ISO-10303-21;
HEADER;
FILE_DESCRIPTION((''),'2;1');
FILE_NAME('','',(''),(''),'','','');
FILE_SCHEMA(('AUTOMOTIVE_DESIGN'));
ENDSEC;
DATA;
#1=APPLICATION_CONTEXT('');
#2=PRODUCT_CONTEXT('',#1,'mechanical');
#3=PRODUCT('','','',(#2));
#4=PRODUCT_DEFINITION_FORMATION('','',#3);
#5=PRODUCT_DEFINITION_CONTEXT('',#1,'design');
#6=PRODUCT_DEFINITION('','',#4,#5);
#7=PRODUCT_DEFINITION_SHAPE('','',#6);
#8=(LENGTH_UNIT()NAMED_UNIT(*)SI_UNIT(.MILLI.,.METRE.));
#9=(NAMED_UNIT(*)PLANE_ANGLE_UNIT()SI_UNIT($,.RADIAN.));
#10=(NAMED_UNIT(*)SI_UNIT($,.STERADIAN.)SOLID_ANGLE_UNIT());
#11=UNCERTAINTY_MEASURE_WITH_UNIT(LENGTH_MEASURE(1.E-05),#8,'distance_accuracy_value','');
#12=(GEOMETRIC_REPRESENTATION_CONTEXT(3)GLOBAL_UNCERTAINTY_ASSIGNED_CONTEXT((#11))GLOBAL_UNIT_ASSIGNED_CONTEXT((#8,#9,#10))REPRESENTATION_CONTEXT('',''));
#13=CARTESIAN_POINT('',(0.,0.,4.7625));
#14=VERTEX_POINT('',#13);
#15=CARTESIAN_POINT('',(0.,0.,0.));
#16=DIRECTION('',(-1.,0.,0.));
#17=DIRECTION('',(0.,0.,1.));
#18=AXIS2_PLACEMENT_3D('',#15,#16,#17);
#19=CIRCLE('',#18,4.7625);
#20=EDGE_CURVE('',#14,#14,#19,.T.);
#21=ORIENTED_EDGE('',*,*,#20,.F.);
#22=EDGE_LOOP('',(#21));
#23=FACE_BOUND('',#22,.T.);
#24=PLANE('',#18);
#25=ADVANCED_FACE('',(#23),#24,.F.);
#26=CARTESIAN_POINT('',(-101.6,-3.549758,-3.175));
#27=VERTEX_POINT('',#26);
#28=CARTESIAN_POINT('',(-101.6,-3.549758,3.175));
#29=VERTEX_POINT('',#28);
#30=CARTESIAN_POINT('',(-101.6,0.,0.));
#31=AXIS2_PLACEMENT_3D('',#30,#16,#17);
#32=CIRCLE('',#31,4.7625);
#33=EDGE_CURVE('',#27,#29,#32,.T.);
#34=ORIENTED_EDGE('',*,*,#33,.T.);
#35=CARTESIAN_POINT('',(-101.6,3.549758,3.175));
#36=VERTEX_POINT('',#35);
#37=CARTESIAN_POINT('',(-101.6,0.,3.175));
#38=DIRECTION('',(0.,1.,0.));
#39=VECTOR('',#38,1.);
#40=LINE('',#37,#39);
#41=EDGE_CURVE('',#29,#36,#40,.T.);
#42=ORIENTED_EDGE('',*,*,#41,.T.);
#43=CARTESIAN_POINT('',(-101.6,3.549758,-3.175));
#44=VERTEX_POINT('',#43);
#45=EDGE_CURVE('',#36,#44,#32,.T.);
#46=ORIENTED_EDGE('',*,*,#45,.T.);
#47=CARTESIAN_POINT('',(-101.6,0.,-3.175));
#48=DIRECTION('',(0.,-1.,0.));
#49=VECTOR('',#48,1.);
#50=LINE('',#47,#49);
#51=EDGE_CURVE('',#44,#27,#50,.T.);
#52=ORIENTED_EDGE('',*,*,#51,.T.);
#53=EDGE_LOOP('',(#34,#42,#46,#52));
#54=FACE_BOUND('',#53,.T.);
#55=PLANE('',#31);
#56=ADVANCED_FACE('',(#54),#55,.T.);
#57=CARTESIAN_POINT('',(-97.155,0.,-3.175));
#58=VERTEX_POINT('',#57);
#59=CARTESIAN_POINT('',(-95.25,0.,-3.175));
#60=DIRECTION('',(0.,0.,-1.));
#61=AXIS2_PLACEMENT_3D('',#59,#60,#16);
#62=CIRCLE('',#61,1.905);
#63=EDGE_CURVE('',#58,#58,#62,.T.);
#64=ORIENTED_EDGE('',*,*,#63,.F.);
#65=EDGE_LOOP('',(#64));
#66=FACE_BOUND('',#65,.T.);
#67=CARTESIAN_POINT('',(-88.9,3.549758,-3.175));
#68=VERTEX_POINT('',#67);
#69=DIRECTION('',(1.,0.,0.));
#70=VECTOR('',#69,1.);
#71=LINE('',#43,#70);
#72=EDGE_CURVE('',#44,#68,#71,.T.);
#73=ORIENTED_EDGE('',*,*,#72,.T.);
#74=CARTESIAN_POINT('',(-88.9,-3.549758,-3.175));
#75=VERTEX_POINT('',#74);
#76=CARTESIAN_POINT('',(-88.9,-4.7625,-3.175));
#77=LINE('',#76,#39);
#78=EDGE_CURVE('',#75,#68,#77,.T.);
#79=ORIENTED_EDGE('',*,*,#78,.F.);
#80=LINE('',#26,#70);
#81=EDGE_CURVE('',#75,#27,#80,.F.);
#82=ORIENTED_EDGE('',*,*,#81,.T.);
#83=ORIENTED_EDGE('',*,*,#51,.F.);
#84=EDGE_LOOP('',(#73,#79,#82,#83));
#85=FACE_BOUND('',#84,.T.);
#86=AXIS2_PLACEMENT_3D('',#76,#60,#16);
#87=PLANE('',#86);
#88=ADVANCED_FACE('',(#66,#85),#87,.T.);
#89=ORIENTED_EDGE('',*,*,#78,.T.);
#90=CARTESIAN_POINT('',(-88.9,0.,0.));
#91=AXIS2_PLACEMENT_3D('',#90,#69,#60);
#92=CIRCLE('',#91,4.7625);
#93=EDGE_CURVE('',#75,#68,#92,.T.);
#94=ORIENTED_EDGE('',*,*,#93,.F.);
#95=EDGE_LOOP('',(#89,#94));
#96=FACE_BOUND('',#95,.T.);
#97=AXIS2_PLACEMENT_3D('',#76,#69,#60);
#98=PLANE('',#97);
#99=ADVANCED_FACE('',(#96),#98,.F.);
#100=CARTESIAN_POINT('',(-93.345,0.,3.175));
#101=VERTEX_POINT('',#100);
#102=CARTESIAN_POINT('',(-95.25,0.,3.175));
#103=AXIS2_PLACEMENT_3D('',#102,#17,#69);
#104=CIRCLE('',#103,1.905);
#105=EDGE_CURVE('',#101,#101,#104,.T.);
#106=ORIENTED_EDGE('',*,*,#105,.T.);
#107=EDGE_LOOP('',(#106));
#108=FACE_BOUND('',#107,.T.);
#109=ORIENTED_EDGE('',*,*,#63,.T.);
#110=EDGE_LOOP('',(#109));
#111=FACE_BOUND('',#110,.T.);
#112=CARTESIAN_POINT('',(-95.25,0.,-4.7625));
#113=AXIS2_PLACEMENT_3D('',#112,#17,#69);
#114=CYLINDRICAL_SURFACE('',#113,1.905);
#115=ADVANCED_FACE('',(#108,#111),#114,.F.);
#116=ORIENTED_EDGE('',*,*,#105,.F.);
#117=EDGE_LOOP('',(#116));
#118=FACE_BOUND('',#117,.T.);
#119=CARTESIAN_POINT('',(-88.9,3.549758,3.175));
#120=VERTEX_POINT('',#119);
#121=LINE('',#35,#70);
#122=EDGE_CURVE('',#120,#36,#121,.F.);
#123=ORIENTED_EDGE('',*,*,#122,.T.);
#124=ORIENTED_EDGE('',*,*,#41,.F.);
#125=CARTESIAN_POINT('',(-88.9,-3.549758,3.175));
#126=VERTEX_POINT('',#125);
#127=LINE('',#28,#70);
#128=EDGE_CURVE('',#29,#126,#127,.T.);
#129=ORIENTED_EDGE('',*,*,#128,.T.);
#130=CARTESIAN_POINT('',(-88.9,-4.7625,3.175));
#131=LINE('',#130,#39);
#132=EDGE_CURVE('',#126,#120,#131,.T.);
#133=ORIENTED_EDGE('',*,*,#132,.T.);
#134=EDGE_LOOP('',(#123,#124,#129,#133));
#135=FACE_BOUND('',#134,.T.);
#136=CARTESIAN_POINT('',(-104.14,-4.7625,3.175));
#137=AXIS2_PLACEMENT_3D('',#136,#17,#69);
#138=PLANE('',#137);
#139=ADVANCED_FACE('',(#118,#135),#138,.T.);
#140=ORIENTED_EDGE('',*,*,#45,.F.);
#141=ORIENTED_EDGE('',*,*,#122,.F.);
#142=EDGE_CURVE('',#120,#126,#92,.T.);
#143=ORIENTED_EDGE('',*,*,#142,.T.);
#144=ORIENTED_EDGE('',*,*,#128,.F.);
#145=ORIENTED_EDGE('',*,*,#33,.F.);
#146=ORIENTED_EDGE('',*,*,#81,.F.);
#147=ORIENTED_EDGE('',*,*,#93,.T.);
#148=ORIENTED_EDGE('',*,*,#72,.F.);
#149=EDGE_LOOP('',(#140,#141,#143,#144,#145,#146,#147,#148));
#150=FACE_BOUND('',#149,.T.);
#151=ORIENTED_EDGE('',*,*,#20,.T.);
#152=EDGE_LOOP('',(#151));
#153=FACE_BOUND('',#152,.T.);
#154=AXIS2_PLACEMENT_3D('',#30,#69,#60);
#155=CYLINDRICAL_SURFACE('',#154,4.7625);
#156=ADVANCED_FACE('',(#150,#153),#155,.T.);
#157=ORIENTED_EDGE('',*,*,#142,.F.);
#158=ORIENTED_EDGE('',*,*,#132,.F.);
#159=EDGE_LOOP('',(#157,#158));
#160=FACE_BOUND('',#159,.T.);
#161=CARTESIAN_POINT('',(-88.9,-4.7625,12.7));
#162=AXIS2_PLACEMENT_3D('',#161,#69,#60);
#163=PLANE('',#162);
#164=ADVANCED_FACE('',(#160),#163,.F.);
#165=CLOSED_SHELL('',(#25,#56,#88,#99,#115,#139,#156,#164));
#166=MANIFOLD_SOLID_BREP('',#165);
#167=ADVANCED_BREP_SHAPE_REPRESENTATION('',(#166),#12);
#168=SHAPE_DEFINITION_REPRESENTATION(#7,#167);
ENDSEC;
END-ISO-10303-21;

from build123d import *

# Parameters (mm, degrees)
SKETCH2_R               = 4.7625
BASE_EXTRUDE_DEPTH      = 101.6
CUT_EXTRUDE1_DEPTH      = 102.822997464
CUT_EXTRUDE1_DEPTH_BACK = 102.822997464
SKETCH5_R               = 1.905
CUT_EXTRUDE2_DEPTH      = 103.020808233


with BuildPart() as part:
    # Sketch2 → Base-Extrude (new body)
    with BuildSketch(Plane.ZY):
        Circle(SKETCH2_R)
    extrude(amount=BASE_EXTRUDE_DEPTH)

    # Sketch4 → Cut-Extrude1 (cut, two sides: drawn at the far end of the back side and taken through both)
    with BuildSketch(Plane(origin=(0, 0, 0), x_dir=(1, 0, 0), z_dir=(0, 1, 0)).offset(-CUT_EXTRUDE1_DEPTH_BACK)):
        Polygon((-109.22, 12.7), (-88.9, 12.7), (-88.9, 3.175), (-104.14, 3.175), (-104.14, -3.175), (-88.9, -3.175), (-88.9, -12.7), (-109.22, -12.7), align=None)
    extrude(amount=CUT_EXTRUDE1_DEPTH + CUT_EXTRUDE1_DEPTH_BACK, mode=Mode.SUBTRACT)

    # Sketch5 → Cut-Extrude2 (cut, through all)
    with BuildSketch(Plane.XY.offset(3.175)):
        with Locations((-95.25, 0)):
            Circle(SKETCH5_R)
    extrude(amount=-CUT_EXTRUDE2_DEPTH, mode=Mode.SUBTRACT)


solid = part.part
